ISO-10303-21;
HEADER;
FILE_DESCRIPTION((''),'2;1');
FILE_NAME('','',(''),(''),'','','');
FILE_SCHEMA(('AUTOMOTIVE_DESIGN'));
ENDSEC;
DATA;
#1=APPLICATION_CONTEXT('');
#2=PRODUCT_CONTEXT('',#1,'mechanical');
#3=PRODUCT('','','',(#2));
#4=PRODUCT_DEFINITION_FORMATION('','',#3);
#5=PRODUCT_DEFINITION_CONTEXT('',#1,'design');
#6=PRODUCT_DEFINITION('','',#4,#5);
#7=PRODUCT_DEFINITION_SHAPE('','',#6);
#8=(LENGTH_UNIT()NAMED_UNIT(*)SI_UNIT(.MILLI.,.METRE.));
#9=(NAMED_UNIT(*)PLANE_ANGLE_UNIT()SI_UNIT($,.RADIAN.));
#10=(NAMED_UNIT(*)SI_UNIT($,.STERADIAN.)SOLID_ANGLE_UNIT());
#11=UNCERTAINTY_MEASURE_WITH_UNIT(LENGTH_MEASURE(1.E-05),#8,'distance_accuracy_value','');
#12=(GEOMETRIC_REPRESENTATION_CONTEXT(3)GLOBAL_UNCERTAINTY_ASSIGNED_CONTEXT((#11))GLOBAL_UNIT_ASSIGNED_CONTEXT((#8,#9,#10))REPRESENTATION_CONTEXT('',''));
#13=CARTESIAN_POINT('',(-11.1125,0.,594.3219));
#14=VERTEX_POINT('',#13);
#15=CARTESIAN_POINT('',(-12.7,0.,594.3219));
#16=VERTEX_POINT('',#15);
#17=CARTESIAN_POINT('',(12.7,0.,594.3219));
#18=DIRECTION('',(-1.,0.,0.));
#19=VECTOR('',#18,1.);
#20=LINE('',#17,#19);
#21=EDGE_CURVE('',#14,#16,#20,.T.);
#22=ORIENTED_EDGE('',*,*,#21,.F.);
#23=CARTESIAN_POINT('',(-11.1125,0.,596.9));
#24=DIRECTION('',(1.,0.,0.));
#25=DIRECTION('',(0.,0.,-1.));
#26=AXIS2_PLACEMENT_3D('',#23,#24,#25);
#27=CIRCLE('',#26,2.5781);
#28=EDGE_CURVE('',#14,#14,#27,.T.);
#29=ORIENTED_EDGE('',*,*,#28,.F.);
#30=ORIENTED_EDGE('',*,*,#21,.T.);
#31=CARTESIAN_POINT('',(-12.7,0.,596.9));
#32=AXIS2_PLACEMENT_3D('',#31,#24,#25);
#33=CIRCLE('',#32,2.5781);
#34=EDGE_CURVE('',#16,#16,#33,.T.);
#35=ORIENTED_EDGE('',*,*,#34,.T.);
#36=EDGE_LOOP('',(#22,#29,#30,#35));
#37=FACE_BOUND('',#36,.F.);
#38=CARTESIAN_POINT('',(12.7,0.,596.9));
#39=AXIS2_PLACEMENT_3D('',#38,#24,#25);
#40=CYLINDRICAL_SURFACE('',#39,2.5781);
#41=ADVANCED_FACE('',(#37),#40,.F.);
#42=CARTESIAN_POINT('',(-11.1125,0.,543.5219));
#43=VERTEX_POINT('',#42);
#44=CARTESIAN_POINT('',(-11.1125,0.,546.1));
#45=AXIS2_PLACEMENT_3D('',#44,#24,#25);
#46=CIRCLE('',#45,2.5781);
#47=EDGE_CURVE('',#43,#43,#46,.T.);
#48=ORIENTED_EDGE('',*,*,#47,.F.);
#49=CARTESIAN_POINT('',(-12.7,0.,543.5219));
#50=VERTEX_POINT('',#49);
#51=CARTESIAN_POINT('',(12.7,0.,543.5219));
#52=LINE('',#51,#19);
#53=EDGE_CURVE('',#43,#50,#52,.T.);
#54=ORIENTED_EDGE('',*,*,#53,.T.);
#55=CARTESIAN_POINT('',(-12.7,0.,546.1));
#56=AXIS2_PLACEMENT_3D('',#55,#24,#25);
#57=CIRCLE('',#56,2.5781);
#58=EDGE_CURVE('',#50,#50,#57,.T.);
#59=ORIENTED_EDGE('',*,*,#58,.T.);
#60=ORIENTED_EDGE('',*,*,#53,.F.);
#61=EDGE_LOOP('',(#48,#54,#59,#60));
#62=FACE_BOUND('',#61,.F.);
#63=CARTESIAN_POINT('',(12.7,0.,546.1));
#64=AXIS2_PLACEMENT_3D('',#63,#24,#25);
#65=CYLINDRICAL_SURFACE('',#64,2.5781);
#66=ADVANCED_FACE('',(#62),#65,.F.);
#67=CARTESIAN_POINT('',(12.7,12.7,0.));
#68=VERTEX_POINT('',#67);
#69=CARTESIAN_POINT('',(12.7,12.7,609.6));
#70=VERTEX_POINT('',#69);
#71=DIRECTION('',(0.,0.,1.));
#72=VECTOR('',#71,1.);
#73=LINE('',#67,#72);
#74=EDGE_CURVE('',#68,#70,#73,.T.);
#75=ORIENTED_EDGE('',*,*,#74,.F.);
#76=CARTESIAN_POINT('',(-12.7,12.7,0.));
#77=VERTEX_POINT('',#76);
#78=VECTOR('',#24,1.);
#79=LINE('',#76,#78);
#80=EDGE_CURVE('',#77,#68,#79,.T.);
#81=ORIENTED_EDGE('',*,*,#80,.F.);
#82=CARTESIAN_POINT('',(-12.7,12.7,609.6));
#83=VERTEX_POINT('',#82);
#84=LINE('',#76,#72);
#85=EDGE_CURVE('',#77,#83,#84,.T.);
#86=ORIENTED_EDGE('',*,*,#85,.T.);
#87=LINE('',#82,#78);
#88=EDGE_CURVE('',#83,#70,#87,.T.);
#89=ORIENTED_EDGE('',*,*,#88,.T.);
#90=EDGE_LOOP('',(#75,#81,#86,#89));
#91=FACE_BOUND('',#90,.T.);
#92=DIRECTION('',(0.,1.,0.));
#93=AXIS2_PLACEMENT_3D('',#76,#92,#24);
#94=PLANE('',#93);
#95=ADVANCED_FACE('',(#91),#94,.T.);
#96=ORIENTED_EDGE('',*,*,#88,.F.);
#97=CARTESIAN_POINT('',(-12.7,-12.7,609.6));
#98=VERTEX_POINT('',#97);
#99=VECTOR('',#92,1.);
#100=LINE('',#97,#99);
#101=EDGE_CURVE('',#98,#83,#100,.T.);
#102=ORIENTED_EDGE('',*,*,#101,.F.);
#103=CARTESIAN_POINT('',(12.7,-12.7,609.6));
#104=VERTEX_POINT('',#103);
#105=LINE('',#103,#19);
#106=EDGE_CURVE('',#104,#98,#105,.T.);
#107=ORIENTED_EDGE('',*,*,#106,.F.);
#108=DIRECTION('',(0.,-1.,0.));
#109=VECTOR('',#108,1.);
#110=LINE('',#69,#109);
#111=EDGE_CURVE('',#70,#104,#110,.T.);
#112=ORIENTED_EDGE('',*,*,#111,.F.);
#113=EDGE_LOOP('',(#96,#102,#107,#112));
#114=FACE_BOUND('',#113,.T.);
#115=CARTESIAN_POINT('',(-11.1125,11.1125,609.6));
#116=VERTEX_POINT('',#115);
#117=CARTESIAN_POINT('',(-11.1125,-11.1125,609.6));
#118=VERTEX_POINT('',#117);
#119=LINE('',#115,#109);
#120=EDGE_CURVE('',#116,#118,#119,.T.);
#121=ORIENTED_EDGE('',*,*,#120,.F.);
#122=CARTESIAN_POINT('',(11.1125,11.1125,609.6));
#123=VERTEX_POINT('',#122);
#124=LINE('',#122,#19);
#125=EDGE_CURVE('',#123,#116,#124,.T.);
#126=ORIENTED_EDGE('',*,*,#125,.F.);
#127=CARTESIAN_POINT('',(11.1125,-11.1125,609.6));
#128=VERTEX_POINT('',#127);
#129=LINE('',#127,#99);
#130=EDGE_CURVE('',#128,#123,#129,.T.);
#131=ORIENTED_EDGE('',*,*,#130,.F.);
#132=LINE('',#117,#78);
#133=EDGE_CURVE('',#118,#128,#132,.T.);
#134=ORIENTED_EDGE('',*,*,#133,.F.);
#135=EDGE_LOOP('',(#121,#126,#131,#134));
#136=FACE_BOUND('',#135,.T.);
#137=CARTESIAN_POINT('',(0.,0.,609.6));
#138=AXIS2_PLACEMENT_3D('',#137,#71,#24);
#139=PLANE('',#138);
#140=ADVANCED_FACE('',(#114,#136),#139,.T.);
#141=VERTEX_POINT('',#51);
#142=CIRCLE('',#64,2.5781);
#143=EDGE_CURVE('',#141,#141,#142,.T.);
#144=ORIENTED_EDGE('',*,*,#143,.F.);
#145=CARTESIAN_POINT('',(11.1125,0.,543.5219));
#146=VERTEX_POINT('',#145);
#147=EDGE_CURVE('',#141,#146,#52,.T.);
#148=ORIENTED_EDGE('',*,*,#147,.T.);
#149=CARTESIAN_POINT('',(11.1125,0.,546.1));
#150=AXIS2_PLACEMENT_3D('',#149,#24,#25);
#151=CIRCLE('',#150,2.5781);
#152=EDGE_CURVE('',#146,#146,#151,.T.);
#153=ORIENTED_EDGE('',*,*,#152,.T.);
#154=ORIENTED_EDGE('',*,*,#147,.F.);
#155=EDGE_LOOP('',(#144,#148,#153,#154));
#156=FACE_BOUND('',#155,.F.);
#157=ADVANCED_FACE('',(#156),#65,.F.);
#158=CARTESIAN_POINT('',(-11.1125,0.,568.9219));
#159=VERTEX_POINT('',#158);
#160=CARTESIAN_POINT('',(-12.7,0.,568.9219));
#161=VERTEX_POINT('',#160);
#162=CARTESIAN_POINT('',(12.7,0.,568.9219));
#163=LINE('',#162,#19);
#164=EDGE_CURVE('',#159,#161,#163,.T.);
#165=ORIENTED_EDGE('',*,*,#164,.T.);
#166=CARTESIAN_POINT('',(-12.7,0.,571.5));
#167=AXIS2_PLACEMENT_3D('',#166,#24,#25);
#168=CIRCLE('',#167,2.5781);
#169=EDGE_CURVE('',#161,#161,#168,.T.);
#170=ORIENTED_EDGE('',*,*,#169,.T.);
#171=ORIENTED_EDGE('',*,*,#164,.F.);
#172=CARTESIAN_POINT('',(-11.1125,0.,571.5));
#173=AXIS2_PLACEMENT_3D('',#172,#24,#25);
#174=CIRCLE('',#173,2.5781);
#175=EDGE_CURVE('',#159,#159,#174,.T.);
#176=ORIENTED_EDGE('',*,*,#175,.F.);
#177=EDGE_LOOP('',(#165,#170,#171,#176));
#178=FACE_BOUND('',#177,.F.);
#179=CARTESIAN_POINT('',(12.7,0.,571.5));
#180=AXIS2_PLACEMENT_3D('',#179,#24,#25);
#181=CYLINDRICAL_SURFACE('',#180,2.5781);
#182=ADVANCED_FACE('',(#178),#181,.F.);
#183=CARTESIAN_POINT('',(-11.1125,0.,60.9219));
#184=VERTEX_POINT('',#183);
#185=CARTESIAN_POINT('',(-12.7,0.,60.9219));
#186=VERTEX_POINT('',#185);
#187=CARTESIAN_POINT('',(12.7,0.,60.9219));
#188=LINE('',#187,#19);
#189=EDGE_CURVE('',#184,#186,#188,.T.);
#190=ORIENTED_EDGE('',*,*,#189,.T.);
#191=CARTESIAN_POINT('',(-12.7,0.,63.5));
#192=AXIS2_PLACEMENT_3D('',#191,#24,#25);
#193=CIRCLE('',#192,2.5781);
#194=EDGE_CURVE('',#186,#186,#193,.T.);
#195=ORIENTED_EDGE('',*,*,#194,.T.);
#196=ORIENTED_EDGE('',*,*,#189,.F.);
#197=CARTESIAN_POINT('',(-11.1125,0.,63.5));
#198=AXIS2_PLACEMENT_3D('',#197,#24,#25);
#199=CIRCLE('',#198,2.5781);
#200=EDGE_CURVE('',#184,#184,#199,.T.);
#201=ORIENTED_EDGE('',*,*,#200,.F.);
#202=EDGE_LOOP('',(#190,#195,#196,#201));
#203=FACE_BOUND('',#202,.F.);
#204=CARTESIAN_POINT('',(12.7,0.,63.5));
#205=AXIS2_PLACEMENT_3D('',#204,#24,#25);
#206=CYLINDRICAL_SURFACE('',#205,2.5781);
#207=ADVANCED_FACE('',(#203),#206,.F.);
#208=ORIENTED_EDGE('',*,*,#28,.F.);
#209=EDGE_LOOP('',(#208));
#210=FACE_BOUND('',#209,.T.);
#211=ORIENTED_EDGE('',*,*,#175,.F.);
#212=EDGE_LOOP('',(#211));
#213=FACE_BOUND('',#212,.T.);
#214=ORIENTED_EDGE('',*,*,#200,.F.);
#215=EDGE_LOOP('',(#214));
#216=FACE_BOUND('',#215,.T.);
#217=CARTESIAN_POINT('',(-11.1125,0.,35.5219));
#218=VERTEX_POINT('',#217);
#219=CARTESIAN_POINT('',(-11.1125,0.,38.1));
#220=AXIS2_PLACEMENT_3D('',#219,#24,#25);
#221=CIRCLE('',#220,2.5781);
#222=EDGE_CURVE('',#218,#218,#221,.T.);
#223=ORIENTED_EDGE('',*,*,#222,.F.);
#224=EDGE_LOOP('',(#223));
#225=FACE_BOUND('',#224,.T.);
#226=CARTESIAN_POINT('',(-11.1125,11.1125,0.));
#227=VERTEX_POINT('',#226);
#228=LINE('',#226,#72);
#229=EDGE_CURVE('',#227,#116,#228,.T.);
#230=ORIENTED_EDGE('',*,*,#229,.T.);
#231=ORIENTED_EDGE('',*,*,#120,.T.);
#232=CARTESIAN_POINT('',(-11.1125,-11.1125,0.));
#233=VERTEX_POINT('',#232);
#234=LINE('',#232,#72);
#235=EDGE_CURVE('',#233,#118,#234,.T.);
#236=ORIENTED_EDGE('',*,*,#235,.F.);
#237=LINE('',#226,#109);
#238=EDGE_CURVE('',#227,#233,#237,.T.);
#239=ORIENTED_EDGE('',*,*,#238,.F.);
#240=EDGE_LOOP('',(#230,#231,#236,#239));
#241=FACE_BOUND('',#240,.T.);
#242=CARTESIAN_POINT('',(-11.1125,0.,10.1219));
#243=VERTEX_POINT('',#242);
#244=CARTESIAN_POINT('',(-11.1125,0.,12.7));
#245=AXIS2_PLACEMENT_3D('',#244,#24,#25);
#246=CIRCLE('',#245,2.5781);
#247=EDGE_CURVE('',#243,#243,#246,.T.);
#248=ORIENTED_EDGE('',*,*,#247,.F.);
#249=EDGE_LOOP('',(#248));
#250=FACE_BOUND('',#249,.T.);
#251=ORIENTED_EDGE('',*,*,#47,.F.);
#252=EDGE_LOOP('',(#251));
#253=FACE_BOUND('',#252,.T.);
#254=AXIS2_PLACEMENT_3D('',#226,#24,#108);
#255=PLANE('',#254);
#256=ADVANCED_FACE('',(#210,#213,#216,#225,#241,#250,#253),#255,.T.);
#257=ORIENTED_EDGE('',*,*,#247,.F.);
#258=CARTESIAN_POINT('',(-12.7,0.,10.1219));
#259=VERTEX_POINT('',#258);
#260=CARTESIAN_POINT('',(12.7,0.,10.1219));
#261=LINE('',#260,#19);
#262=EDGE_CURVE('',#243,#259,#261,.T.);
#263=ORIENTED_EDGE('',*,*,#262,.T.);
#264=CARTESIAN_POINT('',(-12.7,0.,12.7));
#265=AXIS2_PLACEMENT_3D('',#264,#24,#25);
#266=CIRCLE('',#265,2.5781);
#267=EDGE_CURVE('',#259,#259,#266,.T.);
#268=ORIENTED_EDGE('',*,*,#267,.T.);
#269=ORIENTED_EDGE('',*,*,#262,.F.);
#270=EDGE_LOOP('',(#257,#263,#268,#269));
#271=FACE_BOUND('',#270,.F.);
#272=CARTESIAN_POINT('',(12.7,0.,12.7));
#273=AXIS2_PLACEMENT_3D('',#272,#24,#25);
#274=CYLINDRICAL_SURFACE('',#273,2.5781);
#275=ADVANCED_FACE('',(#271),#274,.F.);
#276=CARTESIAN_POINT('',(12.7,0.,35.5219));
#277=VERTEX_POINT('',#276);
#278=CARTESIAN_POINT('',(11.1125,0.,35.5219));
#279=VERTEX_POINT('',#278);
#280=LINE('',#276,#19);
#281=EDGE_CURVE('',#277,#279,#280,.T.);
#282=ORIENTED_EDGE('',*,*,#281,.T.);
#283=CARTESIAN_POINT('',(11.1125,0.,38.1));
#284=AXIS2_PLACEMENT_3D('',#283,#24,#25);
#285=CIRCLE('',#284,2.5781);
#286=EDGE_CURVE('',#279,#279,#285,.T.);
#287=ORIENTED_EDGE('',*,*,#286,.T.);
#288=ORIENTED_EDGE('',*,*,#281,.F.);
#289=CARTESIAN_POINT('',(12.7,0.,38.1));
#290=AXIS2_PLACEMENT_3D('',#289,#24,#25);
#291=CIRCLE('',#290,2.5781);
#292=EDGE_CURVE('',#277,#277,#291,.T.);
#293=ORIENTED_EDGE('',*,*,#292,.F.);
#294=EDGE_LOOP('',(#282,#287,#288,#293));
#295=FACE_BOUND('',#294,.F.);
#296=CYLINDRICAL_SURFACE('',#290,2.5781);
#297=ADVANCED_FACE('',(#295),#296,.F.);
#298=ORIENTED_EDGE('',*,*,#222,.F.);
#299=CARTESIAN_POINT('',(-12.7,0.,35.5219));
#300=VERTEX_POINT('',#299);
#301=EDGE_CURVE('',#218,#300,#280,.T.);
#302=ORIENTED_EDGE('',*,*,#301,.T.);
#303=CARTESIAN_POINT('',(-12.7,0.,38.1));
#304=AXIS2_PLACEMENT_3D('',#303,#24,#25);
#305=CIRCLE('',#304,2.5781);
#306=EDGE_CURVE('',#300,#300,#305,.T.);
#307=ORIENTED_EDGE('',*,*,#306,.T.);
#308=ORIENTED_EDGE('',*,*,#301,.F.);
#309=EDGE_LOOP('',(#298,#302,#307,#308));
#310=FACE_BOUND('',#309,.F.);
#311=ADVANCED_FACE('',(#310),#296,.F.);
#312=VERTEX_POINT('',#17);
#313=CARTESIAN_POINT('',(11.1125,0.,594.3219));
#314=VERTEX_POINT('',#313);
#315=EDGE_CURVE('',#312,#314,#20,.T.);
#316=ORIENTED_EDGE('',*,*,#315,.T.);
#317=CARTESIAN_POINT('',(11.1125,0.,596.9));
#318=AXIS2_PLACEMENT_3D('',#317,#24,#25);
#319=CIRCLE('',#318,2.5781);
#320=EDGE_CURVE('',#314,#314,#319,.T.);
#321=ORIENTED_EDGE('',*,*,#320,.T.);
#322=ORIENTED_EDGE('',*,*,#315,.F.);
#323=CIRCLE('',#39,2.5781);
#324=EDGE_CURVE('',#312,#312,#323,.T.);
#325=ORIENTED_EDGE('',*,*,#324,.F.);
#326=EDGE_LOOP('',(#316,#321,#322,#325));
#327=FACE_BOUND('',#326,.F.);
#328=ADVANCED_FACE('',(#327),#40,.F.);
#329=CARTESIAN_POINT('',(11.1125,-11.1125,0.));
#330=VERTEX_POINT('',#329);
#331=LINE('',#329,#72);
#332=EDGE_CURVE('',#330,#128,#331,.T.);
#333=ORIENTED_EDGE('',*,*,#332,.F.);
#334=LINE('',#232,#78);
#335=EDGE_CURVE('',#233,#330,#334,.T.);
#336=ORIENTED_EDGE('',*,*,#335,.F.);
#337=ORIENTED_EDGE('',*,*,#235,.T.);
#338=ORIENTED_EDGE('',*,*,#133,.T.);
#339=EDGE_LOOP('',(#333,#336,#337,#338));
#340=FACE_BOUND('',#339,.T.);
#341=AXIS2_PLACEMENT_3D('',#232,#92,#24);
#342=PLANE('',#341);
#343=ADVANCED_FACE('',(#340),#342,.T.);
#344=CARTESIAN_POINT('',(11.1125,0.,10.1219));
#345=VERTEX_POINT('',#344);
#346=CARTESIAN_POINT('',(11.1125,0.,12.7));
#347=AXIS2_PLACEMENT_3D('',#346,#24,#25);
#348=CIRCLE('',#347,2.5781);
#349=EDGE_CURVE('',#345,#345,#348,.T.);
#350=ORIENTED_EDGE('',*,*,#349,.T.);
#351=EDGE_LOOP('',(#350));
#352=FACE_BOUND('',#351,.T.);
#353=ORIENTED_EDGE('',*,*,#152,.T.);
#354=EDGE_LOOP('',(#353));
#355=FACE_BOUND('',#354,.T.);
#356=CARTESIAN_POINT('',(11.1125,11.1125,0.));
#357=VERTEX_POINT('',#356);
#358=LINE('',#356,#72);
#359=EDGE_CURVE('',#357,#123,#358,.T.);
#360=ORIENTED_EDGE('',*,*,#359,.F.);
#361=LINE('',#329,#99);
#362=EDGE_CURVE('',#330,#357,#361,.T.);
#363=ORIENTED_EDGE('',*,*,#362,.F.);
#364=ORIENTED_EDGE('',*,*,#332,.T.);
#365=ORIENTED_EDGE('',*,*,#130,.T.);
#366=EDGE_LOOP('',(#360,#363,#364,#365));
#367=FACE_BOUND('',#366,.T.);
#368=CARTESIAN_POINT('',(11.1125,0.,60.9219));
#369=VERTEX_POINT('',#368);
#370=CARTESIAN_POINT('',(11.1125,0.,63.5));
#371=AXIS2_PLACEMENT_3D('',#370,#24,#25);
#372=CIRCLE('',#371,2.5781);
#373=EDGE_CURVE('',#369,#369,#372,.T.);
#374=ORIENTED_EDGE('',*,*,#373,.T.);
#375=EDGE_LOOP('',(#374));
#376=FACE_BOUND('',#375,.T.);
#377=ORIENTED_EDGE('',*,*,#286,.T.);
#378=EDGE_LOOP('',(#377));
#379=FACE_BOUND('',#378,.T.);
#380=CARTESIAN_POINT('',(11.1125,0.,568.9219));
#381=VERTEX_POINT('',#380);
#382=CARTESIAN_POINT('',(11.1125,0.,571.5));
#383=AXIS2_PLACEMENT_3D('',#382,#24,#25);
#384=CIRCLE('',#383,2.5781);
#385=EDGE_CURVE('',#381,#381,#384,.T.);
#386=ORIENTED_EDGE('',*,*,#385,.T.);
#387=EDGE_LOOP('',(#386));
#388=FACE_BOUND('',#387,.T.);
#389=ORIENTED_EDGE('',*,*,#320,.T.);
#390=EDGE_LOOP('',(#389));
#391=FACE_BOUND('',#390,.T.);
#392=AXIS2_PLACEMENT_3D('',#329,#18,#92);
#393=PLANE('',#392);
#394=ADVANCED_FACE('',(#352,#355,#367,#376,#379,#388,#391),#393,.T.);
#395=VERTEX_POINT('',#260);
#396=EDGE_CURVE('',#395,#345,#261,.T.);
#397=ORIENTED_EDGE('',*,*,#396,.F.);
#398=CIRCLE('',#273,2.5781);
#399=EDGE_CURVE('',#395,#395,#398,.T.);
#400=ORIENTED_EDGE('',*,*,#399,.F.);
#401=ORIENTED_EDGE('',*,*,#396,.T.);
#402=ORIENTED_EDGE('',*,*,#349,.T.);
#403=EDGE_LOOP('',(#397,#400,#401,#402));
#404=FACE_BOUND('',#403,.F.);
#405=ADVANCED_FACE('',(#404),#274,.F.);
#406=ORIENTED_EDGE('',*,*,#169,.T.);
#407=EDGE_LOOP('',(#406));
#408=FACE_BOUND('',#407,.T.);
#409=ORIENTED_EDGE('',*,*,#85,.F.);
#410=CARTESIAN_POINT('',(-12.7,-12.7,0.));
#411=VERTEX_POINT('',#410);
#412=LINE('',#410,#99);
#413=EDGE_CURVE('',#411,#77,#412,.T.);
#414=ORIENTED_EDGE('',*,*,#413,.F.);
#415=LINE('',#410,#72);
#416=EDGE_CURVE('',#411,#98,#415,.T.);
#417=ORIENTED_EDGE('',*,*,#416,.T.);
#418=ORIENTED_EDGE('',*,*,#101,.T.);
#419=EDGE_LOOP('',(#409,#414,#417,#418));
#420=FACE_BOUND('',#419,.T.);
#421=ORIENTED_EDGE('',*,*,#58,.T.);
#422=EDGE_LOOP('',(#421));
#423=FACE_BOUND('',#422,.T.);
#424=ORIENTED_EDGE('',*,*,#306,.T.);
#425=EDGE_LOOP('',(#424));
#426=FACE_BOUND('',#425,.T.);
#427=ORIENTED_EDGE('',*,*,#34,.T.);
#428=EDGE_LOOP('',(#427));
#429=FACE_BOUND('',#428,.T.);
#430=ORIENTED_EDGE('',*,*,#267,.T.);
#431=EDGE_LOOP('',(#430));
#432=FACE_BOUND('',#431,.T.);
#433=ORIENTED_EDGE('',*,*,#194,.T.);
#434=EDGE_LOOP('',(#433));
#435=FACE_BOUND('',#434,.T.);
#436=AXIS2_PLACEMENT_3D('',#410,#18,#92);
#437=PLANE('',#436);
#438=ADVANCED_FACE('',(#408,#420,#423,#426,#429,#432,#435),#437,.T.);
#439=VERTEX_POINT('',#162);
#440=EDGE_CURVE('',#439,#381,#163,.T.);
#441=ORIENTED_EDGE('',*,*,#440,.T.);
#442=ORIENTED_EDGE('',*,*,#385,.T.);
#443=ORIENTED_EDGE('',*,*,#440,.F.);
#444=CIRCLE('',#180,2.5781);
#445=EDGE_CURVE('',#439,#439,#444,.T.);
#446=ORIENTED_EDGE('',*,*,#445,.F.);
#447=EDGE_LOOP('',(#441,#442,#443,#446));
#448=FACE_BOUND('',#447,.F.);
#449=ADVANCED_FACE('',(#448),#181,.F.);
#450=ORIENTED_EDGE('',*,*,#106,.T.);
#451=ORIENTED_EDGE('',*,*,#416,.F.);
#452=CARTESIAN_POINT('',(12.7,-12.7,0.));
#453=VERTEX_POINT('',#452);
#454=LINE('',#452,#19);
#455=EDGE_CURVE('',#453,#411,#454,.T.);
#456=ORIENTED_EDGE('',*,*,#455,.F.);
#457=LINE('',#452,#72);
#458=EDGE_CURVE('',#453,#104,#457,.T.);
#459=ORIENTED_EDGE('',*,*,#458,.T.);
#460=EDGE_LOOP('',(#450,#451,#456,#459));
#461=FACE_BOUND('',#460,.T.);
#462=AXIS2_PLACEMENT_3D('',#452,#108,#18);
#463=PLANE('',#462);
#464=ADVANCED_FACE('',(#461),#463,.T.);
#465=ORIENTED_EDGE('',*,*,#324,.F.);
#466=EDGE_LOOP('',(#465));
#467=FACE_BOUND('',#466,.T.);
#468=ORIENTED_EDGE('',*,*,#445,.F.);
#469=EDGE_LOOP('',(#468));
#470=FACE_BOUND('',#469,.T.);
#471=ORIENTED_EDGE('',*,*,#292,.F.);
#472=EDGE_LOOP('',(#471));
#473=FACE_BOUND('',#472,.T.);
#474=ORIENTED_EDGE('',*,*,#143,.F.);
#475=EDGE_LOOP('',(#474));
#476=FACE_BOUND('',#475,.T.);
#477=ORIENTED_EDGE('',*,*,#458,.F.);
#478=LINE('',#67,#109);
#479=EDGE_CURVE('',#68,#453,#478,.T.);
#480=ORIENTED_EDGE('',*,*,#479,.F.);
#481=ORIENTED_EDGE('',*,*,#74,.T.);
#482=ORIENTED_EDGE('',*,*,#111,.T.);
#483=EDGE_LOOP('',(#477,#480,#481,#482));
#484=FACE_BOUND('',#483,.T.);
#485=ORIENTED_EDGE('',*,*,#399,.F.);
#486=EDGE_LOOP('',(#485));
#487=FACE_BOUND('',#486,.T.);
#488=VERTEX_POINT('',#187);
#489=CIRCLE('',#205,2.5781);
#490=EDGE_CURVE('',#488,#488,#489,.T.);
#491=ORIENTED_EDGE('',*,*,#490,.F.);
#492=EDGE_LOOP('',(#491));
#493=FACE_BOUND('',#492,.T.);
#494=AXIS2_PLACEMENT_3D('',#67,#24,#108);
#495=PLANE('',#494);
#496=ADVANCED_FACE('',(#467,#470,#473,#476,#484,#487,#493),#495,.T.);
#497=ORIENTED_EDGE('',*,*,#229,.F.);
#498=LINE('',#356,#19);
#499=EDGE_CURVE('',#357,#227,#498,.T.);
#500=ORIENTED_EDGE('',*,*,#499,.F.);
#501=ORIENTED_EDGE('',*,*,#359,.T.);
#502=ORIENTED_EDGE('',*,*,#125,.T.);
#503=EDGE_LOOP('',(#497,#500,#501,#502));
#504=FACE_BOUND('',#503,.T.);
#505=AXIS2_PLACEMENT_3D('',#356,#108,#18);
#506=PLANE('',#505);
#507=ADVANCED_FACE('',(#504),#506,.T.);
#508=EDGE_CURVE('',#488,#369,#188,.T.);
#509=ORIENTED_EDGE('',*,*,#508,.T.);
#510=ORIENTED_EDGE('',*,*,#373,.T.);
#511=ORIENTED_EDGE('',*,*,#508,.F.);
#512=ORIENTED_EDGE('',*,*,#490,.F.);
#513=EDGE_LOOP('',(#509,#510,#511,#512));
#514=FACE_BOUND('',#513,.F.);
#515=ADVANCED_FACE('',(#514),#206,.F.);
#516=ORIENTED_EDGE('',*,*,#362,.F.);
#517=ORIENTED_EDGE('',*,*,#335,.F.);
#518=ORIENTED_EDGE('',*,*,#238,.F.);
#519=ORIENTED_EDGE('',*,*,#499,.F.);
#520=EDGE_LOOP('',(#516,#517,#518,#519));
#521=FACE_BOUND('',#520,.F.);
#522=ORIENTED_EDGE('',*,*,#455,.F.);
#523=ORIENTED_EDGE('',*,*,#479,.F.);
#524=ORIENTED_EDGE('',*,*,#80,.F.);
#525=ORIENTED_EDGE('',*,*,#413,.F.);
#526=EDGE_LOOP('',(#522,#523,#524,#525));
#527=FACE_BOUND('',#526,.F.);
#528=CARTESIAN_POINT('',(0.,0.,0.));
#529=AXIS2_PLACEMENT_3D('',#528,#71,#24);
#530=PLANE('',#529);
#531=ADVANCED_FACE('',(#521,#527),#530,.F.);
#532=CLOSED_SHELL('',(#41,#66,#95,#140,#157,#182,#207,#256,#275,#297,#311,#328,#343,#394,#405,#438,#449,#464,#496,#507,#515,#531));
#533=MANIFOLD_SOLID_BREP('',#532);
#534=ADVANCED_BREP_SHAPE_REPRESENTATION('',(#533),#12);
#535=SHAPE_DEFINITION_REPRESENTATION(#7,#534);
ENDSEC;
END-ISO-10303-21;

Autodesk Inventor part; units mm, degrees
ref_plane "YZ Plane" through (0, 0, 0) normal (1, 0, 0) x (0, 1, 0)
ref_plane "XZ Plane" through (0, 0, 0) normal (0, 1, 0) x (-1, 0, 0)
ref_plane "XY Plane" through (0, 0, 0) normal (0, 0, 1) x (1, 0, 0)
sketch "Sketch1" plane through (0, 0, 0) normal (0, 0, 1) x (1, 0, 0)
  line L0 (-12.7, -12.7) -> (-12.7, 12.7)
  line L1 (-12.7, 12.7) -> (12.7, 12.7)
  line L2 (12.7, 12.7) -> (12.7, -12.7)
  line L3 (12.7, -12.7) -> (-12.7, -12.7)
  line L4 (-12.7, -12.7) -> (12.7, 12.7) construction
  line L5 (-12.7, 12.7) -> (12.7, -12.7) construction
  line L6 (11.1125, 11.1125) -> (-11.1125, 11.1125)
  line L7 (-11.1125, 11.1125) -> (-11.1125, -11.1125)
  line L8 (-11.1125, -11.1125) -> (11.1125, -11.1125)
  line L9 (11.1125, -11.1125) -> (11.1125, 11.1125)
  point P0 (0, 0)
  dimension "d0" = 25.4
  dimension "d1" = 25.4
  dimension "d2" = 1.5875
extrude "Extrusion1" add sketch "Sketch1" along normal blind 609.6
sketch "Sketch2" plane through (12.7, -12.7, 0) normal (1, 0, 0) x (0, 0, -1)
  line L0 (0, 0) -> (0, 25.4) projected
  line L1 (0, 25.4) -> (-609.6, 25.4) projected
  line L2 (-609.6, 0) -> (-609.6, 25.4) projected
  line L3 (0, 0) -> (-609.6, 0) projected
  circle A0 centre (-596.9, 12.7) radius 2.5781
  circle A1 centre (-571.5, 12.7) radius 2.5781
  circle A2 centre (-546.1, 12.7) radius 2.5781
  line L4 (-304.8, 0) -> (-304.8, 25.4) construction
  circle A3 centre (-12.7, 12.7) radius 2.5781
  circle A4 centre (-38.1, 12.7) radius 2.5781
  circle A5 centre (-63.5, 12.7) radius 2.5781
  point P0 (0, 12.7)
  dimension "d5" = 5.1562
  dimension "d7" = 12.7
  dimension "d8" = 25.4
  dimension "d9" = 25.4
extrude "Extrusion2" cut sketch "Sketch2" against normal through all contours A0 | A1 | A2 | A3 | A4 | A5
equation "\"d1\" = d0"
properties part number "24in long 1in square tube"
